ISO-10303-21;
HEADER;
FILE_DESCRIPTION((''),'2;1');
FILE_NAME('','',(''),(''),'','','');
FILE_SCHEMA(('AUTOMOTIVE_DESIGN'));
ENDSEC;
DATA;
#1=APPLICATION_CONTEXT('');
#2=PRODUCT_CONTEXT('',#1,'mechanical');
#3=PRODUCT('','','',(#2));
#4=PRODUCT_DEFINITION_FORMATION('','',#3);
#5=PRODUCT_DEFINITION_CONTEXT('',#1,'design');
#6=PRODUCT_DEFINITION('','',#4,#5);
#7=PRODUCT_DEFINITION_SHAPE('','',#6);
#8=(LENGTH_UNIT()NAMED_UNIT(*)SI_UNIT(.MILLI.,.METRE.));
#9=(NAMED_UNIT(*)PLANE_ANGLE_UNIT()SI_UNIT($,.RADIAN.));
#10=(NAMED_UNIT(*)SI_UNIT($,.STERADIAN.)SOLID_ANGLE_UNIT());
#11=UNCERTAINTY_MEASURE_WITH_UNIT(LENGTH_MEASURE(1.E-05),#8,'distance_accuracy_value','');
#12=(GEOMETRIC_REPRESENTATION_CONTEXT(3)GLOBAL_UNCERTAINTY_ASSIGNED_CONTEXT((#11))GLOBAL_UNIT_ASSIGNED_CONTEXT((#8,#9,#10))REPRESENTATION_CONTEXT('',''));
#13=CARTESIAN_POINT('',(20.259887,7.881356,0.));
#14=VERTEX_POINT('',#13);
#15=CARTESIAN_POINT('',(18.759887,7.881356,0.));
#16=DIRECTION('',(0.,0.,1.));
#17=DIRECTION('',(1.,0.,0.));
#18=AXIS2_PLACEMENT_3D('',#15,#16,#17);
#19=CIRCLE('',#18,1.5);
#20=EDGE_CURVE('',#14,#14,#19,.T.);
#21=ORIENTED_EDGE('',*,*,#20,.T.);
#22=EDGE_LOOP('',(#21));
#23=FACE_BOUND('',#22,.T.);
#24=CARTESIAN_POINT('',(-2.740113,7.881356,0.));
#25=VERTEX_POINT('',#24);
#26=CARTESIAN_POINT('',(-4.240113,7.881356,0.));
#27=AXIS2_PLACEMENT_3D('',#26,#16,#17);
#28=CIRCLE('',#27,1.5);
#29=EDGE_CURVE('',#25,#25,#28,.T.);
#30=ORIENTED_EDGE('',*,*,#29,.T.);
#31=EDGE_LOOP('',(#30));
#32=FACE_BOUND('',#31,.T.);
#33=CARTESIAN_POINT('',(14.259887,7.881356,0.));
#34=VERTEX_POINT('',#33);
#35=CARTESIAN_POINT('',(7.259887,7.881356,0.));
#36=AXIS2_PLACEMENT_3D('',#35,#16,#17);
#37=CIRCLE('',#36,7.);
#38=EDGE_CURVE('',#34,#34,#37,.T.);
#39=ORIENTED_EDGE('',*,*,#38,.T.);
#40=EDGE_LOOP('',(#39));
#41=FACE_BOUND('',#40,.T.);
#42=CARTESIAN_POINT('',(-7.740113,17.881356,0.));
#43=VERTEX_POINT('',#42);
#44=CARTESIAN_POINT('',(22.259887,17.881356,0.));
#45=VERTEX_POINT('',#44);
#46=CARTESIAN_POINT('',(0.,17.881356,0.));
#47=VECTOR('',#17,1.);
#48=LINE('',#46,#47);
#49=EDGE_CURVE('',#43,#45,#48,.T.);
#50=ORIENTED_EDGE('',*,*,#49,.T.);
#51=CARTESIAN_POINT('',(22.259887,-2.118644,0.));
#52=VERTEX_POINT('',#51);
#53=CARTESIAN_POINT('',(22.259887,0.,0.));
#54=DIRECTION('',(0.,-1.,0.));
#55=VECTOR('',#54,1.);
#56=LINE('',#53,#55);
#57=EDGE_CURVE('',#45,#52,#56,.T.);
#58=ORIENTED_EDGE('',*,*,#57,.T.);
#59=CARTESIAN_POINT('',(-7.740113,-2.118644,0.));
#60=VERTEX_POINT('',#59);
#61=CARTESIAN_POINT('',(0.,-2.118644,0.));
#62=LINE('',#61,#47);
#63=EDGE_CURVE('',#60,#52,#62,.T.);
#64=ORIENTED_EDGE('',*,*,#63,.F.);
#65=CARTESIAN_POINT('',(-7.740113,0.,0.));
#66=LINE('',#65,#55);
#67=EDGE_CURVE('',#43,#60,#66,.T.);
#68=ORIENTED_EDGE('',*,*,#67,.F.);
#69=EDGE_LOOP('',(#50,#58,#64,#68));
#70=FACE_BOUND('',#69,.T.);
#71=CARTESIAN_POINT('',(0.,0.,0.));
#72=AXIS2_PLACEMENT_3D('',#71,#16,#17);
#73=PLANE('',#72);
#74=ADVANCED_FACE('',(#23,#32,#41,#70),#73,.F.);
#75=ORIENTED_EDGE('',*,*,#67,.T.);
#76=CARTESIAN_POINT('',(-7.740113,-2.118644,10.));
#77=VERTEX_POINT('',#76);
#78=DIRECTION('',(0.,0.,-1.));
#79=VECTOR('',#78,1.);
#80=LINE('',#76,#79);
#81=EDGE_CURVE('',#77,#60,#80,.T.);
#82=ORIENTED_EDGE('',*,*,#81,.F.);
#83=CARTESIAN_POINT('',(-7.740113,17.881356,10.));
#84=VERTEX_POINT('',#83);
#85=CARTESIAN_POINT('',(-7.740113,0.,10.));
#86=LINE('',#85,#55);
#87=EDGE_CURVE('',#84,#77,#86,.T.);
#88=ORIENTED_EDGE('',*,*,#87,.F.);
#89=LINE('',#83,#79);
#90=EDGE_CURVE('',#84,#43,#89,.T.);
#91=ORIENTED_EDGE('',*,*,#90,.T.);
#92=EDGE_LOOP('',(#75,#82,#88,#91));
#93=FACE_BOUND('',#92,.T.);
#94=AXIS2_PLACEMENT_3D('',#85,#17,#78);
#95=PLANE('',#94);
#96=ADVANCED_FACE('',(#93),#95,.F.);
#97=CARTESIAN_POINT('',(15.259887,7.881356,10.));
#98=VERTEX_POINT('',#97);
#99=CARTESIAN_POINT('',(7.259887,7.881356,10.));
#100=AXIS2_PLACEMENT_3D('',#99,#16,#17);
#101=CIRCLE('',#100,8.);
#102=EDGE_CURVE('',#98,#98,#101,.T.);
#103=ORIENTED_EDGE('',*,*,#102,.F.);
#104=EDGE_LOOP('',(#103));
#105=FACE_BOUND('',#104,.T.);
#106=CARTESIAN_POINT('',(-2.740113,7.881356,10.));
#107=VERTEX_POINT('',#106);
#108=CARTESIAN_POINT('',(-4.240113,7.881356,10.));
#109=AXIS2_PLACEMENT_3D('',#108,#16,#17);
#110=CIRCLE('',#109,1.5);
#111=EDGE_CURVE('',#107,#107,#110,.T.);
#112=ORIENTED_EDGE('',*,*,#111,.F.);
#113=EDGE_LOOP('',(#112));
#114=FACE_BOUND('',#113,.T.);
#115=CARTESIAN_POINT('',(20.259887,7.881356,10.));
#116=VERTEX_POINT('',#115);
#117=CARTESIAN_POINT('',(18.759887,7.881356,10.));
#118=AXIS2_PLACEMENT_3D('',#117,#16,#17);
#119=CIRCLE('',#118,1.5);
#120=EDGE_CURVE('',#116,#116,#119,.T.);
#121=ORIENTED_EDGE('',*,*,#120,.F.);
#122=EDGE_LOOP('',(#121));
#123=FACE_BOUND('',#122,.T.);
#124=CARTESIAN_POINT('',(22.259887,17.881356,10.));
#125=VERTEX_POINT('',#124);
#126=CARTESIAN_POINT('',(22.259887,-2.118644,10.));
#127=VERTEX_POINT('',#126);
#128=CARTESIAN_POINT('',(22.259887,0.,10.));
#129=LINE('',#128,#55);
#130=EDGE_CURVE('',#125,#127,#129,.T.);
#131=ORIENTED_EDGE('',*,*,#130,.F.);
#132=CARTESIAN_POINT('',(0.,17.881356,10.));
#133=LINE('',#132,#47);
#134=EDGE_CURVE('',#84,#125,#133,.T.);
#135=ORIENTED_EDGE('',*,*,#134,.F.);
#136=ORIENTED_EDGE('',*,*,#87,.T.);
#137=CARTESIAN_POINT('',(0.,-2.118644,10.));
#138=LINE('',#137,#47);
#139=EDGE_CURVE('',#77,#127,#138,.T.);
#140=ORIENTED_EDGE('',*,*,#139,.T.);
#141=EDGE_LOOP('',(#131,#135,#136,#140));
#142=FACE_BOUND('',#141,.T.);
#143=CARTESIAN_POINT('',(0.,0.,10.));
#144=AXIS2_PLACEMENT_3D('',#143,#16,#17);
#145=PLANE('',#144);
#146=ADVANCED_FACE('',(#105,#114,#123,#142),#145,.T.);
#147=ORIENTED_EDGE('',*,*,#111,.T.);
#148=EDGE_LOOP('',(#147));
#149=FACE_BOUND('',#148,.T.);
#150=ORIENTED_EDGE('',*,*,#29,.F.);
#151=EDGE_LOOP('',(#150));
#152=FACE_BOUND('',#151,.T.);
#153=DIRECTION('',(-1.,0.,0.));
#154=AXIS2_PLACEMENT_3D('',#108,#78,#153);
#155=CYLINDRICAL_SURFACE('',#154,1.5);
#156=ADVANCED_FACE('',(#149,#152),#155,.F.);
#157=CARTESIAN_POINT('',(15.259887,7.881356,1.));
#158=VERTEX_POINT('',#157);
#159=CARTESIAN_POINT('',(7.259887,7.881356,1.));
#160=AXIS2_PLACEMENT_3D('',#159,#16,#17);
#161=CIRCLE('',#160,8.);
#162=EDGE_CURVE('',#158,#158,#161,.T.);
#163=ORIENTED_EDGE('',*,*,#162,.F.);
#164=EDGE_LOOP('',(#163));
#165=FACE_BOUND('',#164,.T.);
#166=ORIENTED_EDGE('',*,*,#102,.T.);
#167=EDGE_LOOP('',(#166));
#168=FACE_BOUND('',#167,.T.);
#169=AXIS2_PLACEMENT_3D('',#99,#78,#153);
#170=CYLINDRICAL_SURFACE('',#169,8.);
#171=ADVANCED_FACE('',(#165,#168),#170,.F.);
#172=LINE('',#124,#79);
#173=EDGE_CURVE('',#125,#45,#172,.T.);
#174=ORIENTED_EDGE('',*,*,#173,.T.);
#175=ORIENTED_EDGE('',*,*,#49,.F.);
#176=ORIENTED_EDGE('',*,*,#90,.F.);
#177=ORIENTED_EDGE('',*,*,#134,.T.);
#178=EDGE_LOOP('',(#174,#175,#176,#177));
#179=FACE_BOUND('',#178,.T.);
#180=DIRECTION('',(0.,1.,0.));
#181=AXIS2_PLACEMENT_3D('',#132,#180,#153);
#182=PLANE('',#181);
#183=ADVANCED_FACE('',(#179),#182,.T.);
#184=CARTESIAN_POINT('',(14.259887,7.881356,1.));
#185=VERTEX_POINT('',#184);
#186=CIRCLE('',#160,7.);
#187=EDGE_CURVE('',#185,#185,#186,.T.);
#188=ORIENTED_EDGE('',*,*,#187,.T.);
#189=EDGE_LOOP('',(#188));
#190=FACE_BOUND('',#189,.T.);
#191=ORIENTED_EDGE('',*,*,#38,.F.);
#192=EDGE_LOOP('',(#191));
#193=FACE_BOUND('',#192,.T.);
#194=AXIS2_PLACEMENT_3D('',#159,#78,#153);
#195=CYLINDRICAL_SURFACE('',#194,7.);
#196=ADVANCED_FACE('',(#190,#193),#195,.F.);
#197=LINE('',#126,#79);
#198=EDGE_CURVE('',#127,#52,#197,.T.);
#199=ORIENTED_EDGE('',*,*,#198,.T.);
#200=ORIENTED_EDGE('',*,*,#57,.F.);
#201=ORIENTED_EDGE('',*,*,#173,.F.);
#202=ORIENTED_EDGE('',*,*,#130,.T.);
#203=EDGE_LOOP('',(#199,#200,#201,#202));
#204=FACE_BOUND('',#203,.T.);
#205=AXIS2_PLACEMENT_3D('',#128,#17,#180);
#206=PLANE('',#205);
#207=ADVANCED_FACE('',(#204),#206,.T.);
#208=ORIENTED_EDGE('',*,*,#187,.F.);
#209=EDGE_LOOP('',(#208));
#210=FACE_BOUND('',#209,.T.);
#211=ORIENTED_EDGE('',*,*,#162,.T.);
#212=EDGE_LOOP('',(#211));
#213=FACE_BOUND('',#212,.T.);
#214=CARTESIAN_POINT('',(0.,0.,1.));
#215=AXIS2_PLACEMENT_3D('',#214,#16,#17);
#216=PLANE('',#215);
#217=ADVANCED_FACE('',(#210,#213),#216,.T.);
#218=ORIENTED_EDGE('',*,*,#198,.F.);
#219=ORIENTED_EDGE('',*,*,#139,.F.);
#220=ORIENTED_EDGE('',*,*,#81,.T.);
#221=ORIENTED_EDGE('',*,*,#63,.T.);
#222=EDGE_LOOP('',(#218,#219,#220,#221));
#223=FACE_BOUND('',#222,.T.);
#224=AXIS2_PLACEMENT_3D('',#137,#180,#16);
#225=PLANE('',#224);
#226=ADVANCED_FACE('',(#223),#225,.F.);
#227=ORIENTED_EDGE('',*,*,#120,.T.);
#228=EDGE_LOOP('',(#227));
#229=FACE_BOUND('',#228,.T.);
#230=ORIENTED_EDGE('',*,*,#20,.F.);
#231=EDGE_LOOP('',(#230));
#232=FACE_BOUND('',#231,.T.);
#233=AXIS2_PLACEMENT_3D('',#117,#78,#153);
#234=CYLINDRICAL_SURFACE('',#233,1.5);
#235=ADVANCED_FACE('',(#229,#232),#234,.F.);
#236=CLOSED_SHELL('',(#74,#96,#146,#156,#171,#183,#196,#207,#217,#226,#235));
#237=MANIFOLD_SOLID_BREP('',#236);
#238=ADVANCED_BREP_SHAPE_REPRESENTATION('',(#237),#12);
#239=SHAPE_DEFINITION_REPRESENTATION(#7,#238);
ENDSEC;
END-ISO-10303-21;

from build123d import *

# Parameters (mm, degrees)
SKETCH1_W           = 30
SKETCH1_H           = 20
SKETCH1_R           = 1.5
SKETCH1_R_2         = 8
BOSS_EXTRUDE1_DEPTH = 10
SKETCH1_3_R         = 8
SKETCH1_3_R_2       = 7
BOSS_EXTRUDE2_DEPTH = 1


with BuildPart() as part:
    # Sketch1 → Boss-Extrude1 (new body)
    with BuildSketch(Plane.XY):
        with Locations((7.259887006, 7.881355932)):
            Rectangle(SKETCH1_W, SKETCH1_H)
        with Locations((18.759887006, 7.881355932)):
            Circle(SKETCH1_R, mode=Mode.SUBTRACT)
        with Locations((-4.240112994, 7.881355932)):
            Circle(SKETCH1_R, mode=Mode.SUBTRACT)
        with Locations((7.259887006, 7.881355932)):
            Circle(SKETCH1_R_2, mode=Mode.SUBTRACT)
    extrude(amount=BOSS_EXTRUDE1_DEPTH)

    # Sketch1<3> → Boss-Extrude2 (add)
    with BuildSketch(Plane.XY):
        with Locations((7.259887006, 7.881355932)):
            Circle(SKETCH1_3_R)
        with Locations((7.259887006, 7.881355932)):
            Circle(SKETCH1_3_R_2, mode=Mode.SUBTRACT)
    extrude(amount=BOSS_EXTRUDE2_DEPTH)


solid = part.part
